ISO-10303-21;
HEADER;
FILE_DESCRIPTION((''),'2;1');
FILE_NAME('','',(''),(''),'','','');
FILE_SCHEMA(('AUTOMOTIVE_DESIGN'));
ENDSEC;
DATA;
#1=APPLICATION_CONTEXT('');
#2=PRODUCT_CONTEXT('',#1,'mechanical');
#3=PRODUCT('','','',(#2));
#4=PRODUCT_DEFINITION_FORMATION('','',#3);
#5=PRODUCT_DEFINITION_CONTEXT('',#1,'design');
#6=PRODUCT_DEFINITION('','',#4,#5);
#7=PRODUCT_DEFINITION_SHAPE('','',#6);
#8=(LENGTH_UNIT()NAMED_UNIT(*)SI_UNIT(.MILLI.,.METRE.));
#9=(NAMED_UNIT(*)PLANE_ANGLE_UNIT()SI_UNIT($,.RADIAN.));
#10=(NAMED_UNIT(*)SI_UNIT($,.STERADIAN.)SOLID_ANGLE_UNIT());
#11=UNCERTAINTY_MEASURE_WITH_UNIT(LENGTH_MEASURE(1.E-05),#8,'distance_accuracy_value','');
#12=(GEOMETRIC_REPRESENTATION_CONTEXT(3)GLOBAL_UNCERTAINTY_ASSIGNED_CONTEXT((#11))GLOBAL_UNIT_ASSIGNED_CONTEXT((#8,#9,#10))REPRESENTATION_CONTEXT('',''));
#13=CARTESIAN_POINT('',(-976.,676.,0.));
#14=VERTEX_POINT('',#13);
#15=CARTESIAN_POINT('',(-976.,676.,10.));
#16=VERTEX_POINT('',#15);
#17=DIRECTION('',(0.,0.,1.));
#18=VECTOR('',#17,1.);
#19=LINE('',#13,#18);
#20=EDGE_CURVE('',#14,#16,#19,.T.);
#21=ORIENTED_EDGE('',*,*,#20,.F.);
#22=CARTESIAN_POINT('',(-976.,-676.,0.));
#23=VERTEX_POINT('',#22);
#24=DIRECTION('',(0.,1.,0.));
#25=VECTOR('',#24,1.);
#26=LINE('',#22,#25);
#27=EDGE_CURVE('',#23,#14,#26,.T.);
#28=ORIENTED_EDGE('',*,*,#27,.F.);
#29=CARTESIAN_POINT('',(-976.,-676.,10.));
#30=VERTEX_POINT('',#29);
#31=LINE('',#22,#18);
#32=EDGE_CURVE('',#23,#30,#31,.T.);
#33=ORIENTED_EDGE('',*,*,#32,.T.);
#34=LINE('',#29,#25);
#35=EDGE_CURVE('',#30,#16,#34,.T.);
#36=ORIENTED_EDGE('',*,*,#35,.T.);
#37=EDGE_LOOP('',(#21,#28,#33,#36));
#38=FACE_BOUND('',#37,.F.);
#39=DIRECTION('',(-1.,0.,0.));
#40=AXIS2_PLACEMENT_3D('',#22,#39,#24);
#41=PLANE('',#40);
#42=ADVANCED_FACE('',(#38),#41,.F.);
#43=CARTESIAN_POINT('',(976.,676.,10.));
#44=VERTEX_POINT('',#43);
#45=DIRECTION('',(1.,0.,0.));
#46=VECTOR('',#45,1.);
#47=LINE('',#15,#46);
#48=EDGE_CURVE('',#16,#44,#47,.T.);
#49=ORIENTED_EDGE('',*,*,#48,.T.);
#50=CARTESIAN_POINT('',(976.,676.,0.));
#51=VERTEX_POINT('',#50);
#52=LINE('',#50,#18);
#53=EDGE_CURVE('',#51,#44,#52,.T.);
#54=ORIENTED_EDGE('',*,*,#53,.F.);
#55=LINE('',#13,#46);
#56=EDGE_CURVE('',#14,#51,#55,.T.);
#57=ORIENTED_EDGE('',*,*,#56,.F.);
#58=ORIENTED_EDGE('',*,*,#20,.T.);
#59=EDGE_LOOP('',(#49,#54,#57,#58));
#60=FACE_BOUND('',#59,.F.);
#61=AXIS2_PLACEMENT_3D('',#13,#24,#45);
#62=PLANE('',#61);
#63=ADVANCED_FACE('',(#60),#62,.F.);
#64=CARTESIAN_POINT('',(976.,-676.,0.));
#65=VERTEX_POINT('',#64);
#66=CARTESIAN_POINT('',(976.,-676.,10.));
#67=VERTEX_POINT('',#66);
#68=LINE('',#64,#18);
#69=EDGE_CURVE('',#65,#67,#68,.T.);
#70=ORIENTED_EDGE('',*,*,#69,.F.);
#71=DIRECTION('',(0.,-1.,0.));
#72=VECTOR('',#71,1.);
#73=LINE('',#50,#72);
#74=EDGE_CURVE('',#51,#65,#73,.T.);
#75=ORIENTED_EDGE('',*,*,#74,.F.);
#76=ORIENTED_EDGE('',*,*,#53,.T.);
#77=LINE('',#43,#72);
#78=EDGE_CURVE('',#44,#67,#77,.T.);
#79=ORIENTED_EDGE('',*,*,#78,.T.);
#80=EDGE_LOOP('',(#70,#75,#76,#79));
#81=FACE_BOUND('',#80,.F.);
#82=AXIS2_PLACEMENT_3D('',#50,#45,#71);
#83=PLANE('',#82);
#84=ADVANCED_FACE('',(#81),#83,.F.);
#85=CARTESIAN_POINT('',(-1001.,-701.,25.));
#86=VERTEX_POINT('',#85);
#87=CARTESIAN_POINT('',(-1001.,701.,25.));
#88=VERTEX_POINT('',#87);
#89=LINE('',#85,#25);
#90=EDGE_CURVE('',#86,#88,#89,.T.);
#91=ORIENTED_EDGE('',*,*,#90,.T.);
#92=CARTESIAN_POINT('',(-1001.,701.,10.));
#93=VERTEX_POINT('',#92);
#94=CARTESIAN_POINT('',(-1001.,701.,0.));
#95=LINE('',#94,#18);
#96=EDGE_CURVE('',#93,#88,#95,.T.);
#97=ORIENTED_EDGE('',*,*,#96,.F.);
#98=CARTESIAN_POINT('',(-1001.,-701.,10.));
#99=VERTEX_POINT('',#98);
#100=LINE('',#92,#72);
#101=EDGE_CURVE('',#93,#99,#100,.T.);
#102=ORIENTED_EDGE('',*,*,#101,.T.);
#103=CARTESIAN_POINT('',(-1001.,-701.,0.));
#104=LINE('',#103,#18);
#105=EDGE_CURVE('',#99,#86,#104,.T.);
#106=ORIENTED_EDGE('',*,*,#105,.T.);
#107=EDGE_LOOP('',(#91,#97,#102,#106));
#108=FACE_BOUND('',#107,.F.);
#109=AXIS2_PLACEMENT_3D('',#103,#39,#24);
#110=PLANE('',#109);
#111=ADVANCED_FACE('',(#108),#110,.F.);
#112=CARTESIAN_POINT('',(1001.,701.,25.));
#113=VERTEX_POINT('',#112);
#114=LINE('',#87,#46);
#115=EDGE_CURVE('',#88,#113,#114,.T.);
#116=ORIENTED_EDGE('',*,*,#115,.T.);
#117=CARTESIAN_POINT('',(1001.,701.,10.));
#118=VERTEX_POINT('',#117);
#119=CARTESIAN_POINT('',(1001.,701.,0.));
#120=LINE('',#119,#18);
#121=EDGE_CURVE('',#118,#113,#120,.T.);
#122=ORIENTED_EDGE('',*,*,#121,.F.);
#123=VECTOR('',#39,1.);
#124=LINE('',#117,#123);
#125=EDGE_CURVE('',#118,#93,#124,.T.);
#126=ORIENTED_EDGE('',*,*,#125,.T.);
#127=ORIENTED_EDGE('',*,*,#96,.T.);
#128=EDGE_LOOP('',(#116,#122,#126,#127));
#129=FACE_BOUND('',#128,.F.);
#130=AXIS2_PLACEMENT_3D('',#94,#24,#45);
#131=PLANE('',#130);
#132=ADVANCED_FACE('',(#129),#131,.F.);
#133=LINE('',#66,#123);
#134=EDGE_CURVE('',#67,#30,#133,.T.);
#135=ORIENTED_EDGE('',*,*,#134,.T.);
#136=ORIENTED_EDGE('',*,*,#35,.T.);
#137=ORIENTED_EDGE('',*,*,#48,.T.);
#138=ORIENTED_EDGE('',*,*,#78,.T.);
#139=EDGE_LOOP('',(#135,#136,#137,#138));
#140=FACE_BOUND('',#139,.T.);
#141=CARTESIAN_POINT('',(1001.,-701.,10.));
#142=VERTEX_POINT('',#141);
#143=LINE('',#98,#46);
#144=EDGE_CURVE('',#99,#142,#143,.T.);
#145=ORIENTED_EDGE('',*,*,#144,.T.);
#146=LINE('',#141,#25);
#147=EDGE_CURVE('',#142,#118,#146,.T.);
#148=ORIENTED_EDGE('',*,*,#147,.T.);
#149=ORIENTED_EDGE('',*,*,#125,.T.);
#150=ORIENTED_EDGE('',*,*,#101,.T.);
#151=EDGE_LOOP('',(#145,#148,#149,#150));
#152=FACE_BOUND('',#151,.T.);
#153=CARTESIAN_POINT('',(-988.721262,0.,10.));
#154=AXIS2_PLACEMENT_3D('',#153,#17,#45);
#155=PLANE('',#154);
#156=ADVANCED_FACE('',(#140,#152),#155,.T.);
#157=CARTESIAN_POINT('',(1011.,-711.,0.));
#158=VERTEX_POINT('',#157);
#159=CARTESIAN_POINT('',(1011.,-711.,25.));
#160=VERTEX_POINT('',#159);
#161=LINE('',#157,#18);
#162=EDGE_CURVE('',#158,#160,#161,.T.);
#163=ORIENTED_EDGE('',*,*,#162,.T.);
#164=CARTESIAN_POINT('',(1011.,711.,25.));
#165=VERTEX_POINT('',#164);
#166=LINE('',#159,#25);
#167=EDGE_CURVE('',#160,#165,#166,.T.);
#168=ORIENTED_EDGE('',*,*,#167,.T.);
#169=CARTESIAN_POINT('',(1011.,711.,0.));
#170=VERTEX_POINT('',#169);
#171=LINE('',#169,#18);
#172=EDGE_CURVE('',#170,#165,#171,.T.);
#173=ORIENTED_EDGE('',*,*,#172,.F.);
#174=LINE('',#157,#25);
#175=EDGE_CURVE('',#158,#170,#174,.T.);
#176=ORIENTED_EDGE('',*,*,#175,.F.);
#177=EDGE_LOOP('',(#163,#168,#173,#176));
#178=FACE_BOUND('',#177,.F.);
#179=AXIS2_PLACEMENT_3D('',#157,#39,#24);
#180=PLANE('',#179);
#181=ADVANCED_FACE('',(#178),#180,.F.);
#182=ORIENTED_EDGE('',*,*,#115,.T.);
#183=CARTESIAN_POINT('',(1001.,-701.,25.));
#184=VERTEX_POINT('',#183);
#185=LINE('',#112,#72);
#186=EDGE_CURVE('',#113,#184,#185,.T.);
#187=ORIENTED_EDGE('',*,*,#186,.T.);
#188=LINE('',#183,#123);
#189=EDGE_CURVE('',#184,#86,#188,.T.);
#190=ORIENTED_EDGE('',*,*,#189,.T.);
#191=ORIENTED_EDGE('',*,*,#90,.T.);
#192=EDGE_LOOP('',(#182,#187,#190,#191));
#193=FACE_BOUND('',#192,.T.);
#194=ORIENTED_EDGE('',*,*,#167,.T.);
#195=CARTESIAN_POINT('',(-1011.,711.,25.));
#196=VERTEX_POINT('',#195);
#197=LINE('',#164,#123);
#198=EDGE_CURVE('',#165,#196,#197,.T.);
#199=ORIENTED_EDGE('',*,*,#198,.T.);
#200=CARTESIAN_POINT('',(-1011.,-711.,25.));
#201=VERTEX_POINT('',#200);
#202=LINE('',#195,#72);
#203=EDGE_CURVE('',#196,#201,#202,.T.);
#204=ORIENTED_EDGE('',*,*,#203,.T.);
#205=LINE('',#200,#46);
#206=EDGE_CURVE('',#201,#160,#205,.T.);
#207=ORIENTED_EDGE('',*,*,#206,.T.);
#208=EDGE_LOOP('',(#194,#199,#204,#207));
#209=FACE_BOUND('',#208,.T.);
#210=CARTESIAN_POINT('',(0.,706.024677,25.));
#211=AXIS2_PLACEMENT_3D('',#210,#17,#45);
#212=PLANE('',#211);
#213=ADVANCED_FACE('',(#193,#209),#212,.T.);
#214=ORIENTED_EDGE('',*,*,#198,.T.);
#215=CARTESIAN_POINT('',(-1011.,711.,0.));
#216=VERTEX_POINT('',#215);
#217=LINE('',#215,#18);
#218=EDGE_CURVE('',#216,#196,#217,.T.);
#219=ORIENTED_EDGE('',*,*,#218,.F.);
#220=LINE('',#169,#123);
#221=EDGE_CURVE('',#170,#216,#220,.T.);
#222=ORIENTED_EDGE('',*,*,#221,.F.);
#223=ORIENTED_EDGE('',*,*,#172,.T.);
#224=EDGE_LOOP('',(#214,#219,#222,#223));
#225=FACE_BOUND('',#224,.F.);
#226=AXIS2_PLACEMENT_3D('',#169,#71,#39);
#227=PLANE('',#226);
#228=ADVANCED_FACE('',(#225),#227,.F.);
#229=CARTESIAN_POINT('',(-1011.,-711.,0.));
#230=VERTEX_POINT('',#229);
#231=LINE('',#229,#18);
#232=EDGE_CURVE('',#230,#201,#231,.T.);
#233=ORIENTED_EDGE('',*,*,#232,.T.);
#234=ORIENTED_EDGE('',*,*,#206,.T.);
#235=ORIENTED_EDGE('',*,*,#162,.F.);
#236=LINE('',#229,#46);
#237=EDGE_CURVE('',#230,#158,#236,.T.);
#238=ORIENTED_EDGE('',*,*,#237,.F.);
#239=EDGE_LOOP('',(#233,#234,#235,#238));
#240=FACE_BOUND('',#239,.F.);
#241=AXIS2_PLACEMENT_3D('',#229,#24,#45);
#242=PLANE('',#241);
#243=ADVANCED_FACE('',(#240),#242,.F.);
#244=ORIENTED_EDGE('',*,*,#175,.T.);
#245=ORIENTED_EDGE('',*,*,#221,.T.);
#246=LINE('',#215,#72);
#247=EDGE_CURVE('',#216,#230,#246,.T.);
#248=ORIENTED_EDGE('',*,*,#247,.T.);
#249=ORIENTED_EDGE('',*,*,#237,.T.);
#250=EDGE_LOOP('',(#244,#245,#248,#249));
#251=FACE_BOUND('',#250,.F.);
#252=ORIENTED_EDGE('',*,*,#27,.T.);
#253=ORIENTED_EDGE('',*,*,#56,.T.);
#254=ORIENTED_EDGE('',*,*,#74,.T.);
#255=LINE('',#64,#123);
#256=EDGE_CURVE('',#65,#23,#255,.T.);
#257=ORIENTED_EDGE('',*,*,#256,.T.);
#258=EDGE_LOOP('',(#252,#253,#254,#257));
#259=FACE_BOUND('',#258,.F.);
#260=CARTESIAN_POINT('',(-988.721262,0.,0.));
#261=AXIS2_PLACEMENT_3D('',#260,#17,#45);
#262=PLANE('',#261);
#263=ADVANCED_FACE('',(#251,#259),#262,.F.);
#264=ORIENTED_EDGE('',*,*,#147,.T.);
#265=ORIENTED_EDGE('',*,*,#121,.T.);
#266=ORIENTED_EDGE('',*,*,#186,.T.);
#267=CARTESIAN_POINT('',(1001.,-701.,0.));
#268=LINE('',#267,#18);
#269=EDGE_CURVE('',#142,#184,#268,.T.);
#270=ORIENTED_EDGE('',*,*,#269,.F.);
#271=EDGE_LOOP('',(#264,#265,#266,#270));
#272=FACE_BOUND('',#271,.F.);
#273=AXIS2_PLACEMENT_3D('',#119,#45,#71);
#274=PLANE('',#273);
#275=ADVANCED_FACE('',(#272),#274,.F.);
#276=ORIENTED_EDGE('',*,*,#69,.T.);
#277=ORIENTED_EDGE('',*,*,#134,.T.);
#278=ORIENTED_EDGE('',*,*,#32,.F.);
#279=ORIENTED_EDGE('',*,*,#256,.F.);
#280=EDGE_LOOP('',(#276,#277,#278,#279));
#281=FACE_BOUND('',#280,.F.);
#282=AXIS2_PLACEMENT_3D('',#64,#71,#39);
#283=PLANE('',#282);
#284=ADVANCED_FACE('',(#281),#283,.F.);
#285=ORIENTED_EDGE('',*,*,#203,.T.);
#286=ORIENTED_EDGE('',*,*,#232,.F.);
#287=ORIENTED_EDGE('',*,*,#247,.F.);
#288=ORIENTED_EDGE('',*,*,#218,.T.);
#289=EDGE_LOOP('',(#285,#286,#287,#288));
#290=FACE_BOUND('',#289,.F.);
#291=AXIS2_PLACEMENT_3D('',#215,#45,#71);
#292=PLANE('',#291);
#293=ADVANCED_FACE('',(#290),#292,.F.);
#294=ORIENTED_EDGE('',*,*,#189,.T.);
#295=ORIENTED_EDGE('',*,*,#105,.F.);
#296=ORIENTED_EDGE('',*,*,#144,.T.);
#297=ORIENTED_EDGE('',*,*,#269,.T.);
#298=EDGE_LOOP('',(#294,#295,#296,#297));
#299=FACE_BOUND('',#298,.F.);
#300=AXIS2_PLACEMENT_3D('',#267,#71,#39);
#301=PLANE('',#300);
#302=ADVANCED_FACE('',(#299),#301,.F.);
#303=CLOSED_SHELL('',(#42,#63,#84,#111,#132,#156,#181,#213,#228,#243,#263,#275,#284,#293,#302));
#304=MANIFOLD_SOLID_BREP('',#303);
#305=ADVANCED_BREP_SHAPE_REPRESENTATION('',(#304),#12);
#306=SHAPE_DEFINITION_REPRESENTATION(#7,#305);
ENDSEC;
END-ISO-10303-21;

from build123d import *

# Parameters (mm, degrees)
F1_DEPTH = 25
F2_DEPTH = 10


with BuildPart() as f1:
    # F0 (on Top) → F1 (new body)
    with BuildSketch(Plane.XY):
        Polygon((-1011, 711), (-1001, 701), (1001, 701), (1011, 711), align=None)
        Polygon((-1001, -701), (-1001, 701), (-1011, 711), (-1011, -711), align=None)
        Polygon((1011, 711), (1001, 701), (1001, -701), (1011, -711), align=None)
        Polygon((1001, -701), (-1001, -701), (-1011, -711), (1011, -711), align=None)
    extrude(amount=F1_DEPTH)

    # F0 (on Top) → F2 (join)
    with BuildSketch(Plane.XY):
        Polygon((-976, -676), (-976, 676), (-1001, 701), (-1001, -701), align=None)
        Polygon((-1001, 701), (-976, 676), (976, 676), (1001, 701), align=None)
        Polygon((1001, 701), (976, 676), (976, -676), (1001, -701), align=None)
        Polygon((976, -676), (-976, -676), (-1001, -701), (1001, -701), align=None)
    extrude(amount=F2_DEPTH)


solid = f1.part
